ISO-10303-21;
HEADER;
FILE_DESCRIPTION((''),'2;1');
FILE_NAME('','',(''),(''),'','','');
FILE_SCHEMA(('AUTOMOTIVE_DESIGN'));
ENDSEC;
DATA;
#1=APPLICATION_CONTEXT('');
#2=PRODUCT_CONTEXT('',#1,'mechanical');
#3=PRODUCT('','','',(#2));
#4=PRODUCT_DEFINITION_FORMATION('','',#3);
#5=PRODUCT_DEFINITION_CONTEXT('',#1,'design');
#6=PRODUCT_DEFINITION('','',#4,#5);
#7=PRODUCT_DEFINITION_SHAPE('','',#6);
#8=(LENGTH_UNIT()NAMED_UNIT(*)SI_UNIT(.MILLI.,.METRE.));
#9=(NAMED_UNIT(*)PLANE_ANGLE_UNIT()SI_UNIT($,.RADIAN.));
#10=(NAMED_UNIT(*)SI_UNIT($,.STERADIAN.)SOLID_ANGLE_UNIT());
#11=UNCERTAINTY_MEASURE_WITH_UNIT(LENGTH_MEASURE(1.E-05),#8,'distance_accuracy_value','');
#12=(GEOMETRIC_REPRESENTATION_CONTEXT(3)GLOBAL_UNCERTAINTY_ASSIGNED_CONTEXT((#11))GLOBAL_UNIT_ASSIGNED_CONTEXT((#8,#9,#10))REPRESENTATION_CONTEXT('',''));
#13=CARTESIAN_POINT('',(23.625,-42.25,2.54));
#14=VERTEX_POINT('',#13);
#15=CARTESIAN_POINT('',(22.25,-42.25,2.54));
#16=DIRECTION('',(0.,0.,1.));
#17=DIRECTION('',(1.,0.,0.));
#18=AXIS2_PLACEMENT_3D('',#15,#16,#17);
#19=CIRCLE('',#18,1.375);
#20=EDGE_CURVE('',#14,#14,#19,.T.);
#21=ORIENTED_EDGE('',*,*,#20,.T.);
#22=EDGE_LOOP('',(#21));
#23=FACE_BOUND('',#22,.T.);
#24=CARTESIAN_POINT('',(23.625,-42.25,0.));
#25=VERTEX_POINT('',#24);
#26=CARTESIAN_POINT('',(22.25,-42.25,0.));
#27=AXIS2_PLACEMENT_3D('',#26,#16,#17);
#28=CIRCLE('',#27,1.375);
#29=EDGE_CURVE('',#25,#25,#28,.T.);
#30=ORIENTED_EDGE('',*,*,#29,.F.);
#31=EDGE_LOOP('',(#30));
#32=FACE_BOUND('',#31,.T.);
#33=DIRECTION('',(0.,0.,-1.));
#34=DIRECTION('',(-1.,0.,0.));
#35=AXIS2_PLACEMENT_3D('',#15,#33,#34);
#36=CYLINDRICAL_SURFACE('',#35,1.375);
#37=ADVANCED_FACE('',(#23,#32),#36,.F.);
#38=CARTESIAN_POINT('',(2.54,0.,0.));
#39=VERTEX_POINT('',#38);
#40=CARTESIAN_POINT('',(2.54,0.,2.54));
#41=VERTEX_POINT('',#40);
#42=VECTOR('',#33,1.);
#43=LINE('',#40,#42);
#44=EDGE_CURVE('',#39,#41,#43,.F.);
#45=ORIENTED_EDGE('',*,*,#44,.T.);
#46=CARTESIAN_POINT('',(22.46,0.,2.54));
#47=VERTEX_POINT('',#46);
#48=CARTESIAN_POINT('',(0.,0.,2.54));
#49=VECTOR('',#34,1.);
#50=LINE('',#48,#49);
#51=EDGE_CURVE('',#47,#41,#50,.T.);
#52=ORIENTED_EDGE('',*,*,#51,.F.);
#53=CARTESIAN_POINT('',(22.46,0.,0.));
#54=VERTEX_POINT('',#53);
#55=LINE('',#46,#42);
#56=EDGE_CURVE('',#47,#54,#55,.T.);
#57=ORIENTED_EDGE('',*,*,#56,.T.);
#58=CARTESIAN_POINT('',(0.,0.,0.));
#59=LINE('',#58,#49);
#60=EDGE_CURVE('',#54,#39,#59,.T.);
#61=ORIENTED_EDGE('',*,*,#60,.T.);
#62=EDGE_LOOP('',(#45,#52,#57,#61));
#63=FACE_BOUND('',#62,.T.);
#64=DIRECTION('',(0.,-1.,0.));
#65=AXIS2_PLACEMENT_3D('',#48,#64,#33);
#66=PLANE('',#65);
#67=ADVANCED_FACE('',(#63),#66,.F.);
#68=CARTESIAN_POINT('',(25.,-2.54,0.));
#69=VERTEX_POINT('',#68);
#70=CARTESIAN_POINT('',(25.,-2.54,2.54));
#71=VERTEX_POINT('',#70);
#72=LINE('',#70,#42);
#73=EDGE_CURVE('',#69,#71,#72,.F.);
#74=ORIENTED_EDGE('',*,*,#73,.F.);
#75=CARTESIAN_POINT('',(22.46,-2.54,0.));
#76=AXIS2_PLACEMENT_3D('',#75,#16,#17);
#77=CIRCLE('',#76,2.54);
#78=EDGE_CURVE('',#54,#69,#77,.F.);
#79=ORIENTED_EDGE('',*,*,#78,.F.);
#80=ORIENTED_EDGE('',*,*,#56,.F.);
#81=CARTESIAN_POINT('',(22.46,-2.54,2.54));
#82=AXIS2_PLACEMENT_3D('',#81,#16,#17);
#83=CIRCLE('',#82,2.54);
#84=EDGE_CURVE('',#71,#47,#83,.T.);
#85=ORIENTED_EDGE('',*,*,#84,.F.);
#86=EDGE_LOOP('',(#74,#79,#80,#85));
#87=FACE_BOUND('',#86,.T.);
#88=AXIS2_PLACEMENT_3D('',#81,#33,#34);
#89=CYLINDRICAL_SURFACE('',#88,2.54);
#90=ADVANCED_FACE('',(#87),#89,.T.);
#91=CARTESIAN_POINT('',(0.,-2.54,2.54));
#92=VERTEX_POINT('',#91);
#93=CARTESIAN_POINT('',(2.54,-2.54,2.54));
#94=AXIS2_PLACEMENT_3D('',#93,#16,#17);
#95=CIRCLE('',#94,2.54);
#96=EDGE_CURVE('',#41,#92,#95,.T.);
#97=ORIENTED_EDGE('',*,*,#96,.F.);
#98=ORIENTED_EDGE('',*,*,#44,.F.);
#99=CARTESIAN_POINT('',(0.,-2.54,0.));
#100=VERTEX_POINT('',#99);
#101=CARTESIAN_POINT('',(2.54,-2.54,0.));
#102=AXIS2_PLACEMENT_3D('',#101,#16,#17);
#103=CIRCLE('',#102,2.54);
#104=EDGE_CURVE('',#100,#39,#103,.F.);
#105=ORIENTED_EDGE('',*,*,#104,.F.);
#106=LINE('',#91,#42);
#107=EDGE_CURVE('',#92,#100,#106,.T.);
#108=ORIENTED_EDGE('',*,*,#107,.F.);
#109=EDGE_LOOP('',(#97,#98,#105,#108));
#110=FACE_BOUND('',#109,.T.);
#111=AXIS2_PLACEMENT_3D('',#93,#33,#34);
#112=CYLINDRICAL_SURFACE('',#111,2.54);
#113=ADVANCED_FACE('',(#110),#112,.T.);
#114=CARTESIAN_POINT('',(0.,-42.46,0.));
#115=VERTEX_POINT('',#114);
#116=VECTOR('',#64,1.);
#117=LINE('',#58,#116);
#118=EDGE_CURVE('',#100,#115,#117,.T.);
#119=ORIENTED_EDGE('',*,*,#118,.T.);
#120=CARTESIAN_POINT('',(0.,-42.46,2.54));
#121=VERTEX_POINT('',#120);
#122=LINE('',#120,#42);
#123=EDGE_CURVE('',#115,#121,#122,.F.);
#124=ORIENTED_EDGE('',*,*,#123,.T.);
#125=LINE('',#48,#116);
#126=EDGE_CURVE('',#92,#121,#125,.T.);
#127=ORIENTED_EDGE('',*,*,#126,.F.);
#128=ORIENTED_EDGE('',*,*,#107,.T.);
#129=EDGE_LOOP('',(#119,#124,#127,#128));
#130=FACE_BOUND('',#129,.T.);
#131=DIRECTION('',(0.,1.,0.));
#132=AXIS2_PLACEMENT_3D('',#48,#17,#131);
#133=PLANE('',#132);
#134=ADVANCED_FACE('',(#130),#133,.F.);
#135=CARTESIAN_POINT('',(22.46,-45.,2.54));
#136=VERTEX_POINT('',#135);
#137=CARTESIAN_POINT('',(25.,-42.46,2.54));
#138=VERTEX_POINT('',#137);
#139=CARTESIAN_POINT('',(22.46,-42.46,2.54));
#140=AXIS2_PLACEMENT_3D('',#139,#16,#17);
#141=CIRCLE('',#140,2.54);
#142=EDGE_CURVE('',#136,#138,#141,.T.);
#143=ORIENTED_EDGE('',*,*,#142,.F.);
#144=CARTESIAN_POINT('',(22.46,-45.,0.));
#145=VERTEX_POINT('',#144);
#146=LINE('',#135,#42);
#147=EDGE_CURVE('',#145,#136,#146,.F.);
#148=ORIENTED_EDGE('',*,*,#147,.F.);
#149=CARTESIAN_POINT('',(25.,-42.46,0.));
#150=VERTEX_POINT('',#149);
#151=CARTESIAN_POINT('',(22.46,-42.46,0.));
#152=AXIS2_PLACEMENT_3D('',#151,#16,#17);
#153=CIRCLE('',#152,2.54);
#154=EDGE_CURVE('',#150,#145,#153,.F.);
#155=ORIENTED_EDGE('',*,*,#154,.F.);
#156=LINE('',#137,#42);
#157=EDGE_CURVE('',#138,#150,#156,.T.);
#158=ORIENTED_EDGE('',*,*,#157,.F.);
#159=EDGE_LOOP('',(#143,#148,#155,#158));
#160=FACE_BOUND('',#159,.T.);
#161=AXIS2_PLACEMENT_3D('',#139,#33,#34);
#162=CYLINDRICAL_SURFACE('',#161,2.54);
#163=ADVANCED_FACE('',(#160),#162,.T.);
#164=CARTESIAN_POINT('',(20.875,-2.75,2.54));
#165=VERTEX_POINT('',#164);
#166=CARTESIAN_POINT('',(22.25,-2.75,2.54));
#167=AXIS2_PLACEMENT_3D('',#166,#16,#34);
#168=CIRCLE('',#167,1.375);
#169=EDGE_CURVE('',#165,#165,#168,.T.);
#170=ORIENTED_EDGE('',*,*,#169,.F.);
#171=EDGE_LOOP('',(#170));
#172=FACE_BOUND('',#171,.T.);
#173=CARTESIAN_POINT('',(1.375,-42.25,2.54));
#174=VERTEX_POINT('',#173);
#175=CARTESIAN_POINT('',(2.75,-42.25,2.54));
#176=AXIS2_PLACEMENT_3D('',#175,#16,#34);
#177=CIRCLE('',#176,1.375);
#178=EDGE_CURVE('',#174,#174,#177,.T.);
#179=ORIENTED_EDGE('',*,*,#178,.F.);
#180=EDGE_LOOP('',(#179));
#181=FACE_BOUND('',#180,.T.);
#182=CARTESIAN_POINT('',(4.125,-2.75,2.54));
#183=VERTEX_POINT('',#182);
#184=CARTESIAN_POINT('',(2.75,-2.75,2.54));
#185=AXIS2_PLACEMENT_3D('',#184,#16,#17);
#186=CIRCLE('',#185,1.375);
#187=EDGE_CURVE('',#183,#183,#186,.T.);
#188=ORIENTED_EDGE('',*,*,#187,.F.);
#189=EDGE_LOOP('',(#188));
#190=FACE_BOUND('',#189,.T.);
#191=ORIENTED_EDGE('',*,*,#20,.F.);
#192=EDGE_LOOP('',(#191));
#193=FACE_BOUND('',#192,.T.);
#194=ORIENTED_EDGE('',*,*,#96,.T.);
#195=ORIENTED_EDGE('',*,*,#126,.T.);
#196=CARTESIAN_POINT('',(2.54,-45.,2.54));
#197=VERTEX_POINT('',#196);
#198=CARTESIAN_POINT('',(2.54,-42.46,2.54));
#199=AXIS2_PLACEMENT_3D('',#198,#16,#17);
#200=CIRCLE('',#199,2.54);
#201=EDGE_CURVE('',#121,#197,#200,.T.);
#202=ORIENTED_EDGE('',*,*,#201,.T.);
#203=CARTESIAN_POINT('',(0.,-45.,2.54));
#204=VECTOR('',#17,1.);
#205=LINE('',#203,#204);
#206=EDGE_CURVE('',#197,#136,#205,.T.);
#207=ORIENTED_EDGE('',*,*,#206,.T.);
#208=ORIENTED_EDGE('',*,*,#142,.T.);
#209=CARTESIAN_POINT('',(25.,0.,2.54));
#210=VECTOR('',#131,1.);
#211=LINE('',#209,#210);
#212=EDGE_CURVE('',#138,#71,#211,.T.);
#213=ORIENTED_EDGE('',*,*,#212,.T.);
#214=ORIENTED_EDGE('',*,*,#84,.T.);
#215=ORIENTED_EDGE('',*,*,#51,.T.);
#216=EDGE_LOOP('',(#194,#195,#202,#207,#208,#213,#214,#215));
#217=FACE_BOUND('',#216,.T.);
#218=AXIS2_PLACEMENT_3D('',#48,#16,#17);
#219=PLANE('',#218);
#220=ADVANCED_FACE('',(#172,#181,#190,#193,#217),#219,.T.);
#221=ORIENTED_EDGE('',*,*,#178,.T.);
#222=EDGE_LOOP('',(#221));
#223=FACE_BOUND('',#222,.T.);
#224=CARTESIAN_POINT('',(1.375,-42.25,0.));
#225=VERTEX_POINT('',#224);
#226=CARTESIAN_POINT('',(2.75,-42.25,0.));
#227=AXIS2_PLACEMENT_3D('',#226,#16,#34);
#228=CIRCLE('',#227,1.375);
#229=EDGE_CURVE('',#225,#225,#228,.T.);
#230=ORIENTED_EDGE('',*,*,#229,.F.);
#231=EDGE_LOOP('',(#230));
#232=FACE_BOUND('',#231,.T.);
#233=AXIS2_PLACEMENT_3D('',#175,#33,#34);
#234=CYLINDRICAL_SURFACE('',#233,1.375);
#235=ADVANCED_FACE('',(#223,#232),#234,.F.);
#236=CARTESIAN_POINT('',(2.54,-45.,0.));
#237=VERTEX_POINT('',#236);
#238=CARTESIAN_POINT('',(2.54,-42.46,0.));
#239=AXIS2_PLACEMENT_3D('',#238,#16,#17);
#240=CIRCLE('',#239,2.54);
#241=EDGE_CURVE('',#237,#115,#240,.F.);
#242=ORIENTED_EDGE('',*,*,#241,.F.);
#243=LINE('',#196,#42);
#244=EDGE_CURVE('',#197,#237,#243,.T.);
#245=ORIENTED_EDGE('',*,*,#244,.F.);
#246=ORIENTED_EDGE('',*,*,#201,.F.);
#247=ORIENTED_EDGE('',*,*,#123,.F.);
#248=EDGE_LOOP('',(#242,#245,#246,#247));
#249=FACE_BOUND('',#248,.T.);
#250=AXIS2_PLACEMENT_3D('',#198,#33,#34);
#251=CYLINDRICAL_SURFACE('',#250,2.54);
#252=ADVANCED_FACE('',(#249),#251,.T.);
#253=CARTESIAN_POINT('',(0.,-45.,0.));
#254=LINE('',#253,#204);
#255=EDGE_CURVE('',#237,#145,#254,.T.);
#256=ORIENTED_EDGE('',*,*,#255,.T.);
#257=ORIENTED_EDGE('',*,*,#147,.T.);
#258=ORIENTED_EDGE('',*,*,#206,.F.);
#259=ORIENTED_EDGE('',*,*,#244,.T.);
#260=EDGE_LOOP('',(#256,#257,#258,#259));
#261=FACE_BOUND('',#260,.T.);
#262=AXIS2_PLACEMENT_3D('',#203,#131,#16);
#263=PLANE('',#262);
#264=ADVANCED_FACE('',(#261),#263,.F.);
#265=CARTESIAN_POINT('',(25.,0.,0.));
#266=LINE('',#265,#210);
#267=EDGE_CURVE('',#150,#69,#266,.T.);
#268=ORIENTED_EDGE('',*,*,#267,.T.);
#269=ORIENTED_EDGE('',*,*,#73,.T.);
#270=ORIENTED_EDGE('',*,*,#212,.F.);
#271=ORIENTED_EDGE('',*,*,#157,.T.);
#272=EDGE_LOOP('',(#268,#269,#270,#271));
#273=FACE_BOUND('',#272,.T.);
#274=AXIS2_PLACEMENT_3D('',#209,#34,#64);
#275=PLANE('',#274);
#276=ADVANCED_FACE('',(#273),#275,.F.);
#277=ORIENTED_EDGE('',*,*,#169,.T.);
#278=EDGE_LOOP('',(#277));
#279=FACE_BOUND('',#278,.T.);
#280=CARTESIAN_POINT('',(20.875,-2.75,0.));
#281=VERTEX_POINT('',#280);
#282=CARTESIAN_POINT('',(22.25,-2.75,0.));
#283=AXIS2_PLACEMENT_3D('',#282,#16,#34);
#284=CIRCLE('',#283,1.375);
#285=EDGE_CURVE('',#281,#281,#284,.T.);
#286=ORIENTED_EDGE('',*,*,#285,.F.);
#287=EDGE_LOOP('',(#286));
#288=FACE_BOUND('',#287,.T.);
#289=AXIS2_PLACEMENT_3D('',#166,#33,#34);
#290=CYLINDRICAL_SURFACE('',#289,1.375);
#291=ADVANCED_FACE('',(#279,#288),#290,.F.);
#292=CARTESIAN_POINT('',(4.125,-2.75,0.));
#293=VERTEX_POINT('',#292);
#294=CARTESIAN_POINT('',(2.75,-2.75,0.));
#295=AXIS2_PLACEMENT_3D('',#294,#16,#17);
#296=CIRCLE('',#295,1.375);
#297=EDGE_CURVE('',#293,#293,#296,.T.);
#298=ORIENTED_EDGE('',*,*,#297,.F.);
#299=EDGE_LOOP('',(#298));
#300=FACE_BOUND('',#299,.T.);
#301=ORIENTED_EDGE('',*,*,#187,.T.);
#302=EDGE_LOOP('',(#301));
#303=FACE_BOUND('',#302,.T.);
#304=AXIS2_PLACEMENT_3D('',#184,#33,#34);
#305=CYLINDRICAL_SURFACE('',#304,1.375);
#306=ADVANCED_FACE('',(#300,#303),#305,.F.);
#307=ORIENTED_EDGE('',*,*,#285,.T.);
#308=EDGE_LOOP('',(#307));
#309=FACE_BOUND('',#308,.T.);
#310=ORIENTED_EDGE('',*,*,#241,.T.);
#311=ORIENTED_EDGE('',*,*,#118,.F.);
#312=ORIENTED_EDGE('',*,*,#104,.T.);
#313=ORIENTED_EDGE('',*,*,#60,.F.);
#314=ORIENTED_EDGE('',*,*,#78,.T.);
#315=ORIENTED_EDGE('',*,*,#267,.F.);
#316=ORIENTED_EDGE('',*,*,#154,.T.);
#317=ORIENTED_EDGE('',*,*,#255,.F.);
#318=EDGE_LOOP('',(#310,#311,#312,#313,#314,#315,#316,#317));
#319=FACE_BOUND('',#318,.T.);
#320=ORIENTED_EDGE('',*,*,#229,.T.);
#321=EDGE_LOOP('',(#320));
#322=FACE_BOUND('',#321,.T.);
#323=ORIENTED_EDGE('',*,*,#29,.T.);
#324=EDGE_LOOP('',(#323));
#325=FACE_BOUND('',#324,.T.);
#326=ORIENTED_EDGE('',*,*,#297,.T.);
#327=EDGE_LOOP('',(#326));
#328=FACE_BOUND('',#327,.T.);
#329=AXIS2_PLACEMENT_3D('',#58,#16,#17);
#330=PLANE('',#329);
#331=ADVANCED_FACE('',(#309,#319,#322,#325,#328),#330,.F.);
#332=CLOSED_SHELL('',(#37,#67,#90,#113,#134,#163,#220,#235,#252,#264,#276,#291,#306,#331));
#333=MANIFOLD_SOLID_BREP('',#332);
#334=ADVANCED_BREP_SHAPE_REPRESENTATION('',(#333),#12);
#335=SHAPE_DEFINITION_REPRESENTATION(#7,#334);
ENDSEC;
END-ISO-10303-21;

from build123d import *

# Parameters (mm, degrees)
SKETCH1_W           = 25
SKETCH1_H           = 45
SKETCH1_R           = 1.375
BOSS_EXTRUDE1_DEPTH = 2.54
FILLET1_R           = 2.54


with BuildPart() as part:
    # Sketch1 → Boss-Extrude1 (new body)
    with BuildSketch(Plane.XY):
        with Locations((12.5, -22.5)):
            Rectangle(SKETCH1_W, SKETCH1_H)
        with Locations((2.75, -2.75)):
            Circle(SKETCH1_R, mode=Mode.SUBTRACT)
        with Locations((2.75, -42.25)):
            Circle(SKETCH1_R, mode=Mode.SUBTRACT)
        with Locations((22.25, -42.25)):
            Circle(SKETCH1_R, mode=Mode.SUBTRACT)
        with Locations((22.25, -2.75)):
            Circle(SKETCH1_R, mode=Mode.SUBTRACT)
    extrude(amount=BOSS_EXTRUDE1_DEPTH)

    # Fillet1
    fillet1_edges = [part.edges().sort_by_distance(p)[0] for p in [
        (0, 0, 1.27),
        (25, 0, 1.27),
        (25, -45, 1.27),
        (0, -45, 1.27),
    ]]
    fillet(fillet1_edges, radius=FILLET1_R)


solid = part.part
